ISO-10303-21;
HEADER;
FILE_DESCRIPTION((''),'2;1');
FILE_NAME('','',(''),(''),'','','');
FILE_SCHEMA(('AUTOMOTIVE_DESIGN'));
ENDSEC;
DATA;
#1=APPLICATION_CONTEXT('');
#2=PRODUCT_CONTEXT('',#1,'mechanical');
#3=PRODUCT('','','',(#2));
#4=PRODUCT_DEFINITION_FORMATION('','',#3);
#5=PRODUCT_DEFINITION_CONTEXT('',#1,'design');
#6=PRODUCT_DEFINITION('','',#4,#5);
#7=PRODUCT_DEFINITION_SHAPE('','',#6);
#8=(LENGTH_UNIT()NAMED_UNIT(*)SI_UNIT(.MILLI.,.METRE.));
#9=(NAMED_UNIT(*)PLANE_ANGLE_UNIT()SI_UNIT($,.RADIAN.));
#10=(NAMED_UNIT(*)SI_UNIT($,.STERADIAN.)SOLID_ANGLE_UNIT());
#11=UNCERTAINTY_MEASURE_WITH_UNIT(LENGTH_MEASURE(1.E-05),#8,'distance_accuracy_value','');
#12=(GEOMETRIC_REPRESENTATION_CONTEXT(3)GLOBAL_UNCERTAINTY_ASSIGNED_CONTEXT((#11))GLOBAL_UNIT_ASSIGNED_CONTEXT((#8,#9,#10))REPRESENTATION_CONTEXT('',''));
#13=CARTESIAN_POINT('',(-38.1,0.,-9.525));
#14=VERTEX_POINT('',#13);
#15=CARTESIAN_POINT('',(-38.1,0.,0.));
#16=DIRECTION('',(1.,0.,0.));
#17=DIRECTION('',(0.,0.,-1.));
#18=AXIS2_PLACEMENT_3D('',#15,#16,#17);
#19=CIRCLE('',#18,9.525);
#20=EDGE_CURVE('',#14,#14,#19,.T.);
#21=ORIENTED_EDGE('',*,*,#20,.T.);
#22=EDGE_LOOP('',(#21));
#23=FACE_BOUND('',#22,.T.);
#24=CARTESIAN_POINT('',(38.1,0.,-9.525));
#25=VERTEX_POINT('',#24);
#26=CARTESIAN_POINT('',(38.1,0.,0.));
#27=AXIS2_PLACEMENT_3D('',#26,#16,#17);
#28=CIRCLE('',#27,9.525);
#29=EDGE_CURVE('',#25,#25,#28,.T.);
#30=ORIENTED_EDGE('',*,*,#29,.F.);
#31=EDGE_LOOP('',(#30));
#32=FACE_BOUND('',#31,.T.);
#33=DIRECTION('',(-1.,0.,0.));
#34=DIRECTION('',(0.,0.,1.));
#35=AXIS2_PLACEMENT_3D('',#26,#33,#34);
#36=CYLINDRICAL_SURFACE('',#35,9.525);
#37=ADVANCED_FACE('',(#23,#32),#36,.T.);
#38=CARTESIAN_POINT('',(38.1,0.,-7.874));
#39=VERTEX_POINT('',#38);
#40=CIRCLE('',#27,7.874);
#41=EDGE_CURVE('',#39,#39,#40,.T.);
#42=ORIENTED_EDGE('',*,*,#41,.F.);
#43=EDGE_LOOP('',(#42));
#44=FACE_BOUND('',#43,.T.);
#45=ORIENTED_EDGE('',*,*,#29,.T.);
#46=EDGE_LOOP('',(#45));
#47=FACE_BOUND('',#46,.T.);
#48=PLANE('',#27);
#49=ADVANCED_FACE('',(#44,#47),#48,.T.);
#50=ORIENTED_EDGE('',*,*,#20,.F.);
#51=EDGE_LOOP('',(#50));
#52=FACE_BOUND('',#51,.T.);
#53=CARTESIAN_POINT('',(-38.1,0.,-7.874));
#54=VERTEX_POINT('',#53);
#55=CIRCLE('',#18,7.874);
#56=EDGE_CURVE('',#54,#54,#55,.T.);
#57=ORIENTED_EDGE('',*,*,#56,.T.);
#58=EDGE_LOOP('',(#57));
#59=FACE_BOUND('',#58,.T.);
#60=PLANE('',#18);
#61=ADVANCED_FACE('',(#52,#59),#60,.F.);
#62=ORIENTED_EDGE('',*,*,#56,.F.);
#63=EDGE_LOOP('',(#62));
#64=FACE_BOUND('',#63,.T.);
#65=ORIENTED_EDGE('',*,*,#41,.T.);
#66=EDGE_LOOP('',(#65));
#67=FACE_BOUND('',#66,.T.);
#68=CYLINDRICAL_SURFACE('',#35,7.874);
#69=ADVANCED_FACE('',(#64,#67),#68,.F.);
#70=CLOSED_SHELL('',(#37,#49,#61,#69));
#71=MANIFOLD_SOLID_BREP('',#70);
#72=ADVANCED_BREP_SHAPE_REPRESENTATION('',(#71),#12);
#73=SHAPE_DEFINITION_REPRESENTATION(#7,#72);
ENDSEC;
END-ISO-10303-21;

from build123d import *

# Parameters (mm, degrees)
SKETCH1_R           = 9.525
SKETCH1_R_2         = 7.874
BOSS_EXTRUDE1_DEPTH = 38.1


with BuildPart() as part:
    # Sketch1 → Boss-Extrude1 (new body, symmetric)
    with BuildSketch(Plane(origin=(0, 0, 0), x_dir=(0, 0, -1), z_dir=(1, 0, 0))):
        Circle(SKETCH1_R)
        Circle(SKETCH1_R_2, mode=Mode.SUBTRACT)
    extrude(amount=BOSS_EXTRUDE1_DEPTH, both=True)


solid = part.part
